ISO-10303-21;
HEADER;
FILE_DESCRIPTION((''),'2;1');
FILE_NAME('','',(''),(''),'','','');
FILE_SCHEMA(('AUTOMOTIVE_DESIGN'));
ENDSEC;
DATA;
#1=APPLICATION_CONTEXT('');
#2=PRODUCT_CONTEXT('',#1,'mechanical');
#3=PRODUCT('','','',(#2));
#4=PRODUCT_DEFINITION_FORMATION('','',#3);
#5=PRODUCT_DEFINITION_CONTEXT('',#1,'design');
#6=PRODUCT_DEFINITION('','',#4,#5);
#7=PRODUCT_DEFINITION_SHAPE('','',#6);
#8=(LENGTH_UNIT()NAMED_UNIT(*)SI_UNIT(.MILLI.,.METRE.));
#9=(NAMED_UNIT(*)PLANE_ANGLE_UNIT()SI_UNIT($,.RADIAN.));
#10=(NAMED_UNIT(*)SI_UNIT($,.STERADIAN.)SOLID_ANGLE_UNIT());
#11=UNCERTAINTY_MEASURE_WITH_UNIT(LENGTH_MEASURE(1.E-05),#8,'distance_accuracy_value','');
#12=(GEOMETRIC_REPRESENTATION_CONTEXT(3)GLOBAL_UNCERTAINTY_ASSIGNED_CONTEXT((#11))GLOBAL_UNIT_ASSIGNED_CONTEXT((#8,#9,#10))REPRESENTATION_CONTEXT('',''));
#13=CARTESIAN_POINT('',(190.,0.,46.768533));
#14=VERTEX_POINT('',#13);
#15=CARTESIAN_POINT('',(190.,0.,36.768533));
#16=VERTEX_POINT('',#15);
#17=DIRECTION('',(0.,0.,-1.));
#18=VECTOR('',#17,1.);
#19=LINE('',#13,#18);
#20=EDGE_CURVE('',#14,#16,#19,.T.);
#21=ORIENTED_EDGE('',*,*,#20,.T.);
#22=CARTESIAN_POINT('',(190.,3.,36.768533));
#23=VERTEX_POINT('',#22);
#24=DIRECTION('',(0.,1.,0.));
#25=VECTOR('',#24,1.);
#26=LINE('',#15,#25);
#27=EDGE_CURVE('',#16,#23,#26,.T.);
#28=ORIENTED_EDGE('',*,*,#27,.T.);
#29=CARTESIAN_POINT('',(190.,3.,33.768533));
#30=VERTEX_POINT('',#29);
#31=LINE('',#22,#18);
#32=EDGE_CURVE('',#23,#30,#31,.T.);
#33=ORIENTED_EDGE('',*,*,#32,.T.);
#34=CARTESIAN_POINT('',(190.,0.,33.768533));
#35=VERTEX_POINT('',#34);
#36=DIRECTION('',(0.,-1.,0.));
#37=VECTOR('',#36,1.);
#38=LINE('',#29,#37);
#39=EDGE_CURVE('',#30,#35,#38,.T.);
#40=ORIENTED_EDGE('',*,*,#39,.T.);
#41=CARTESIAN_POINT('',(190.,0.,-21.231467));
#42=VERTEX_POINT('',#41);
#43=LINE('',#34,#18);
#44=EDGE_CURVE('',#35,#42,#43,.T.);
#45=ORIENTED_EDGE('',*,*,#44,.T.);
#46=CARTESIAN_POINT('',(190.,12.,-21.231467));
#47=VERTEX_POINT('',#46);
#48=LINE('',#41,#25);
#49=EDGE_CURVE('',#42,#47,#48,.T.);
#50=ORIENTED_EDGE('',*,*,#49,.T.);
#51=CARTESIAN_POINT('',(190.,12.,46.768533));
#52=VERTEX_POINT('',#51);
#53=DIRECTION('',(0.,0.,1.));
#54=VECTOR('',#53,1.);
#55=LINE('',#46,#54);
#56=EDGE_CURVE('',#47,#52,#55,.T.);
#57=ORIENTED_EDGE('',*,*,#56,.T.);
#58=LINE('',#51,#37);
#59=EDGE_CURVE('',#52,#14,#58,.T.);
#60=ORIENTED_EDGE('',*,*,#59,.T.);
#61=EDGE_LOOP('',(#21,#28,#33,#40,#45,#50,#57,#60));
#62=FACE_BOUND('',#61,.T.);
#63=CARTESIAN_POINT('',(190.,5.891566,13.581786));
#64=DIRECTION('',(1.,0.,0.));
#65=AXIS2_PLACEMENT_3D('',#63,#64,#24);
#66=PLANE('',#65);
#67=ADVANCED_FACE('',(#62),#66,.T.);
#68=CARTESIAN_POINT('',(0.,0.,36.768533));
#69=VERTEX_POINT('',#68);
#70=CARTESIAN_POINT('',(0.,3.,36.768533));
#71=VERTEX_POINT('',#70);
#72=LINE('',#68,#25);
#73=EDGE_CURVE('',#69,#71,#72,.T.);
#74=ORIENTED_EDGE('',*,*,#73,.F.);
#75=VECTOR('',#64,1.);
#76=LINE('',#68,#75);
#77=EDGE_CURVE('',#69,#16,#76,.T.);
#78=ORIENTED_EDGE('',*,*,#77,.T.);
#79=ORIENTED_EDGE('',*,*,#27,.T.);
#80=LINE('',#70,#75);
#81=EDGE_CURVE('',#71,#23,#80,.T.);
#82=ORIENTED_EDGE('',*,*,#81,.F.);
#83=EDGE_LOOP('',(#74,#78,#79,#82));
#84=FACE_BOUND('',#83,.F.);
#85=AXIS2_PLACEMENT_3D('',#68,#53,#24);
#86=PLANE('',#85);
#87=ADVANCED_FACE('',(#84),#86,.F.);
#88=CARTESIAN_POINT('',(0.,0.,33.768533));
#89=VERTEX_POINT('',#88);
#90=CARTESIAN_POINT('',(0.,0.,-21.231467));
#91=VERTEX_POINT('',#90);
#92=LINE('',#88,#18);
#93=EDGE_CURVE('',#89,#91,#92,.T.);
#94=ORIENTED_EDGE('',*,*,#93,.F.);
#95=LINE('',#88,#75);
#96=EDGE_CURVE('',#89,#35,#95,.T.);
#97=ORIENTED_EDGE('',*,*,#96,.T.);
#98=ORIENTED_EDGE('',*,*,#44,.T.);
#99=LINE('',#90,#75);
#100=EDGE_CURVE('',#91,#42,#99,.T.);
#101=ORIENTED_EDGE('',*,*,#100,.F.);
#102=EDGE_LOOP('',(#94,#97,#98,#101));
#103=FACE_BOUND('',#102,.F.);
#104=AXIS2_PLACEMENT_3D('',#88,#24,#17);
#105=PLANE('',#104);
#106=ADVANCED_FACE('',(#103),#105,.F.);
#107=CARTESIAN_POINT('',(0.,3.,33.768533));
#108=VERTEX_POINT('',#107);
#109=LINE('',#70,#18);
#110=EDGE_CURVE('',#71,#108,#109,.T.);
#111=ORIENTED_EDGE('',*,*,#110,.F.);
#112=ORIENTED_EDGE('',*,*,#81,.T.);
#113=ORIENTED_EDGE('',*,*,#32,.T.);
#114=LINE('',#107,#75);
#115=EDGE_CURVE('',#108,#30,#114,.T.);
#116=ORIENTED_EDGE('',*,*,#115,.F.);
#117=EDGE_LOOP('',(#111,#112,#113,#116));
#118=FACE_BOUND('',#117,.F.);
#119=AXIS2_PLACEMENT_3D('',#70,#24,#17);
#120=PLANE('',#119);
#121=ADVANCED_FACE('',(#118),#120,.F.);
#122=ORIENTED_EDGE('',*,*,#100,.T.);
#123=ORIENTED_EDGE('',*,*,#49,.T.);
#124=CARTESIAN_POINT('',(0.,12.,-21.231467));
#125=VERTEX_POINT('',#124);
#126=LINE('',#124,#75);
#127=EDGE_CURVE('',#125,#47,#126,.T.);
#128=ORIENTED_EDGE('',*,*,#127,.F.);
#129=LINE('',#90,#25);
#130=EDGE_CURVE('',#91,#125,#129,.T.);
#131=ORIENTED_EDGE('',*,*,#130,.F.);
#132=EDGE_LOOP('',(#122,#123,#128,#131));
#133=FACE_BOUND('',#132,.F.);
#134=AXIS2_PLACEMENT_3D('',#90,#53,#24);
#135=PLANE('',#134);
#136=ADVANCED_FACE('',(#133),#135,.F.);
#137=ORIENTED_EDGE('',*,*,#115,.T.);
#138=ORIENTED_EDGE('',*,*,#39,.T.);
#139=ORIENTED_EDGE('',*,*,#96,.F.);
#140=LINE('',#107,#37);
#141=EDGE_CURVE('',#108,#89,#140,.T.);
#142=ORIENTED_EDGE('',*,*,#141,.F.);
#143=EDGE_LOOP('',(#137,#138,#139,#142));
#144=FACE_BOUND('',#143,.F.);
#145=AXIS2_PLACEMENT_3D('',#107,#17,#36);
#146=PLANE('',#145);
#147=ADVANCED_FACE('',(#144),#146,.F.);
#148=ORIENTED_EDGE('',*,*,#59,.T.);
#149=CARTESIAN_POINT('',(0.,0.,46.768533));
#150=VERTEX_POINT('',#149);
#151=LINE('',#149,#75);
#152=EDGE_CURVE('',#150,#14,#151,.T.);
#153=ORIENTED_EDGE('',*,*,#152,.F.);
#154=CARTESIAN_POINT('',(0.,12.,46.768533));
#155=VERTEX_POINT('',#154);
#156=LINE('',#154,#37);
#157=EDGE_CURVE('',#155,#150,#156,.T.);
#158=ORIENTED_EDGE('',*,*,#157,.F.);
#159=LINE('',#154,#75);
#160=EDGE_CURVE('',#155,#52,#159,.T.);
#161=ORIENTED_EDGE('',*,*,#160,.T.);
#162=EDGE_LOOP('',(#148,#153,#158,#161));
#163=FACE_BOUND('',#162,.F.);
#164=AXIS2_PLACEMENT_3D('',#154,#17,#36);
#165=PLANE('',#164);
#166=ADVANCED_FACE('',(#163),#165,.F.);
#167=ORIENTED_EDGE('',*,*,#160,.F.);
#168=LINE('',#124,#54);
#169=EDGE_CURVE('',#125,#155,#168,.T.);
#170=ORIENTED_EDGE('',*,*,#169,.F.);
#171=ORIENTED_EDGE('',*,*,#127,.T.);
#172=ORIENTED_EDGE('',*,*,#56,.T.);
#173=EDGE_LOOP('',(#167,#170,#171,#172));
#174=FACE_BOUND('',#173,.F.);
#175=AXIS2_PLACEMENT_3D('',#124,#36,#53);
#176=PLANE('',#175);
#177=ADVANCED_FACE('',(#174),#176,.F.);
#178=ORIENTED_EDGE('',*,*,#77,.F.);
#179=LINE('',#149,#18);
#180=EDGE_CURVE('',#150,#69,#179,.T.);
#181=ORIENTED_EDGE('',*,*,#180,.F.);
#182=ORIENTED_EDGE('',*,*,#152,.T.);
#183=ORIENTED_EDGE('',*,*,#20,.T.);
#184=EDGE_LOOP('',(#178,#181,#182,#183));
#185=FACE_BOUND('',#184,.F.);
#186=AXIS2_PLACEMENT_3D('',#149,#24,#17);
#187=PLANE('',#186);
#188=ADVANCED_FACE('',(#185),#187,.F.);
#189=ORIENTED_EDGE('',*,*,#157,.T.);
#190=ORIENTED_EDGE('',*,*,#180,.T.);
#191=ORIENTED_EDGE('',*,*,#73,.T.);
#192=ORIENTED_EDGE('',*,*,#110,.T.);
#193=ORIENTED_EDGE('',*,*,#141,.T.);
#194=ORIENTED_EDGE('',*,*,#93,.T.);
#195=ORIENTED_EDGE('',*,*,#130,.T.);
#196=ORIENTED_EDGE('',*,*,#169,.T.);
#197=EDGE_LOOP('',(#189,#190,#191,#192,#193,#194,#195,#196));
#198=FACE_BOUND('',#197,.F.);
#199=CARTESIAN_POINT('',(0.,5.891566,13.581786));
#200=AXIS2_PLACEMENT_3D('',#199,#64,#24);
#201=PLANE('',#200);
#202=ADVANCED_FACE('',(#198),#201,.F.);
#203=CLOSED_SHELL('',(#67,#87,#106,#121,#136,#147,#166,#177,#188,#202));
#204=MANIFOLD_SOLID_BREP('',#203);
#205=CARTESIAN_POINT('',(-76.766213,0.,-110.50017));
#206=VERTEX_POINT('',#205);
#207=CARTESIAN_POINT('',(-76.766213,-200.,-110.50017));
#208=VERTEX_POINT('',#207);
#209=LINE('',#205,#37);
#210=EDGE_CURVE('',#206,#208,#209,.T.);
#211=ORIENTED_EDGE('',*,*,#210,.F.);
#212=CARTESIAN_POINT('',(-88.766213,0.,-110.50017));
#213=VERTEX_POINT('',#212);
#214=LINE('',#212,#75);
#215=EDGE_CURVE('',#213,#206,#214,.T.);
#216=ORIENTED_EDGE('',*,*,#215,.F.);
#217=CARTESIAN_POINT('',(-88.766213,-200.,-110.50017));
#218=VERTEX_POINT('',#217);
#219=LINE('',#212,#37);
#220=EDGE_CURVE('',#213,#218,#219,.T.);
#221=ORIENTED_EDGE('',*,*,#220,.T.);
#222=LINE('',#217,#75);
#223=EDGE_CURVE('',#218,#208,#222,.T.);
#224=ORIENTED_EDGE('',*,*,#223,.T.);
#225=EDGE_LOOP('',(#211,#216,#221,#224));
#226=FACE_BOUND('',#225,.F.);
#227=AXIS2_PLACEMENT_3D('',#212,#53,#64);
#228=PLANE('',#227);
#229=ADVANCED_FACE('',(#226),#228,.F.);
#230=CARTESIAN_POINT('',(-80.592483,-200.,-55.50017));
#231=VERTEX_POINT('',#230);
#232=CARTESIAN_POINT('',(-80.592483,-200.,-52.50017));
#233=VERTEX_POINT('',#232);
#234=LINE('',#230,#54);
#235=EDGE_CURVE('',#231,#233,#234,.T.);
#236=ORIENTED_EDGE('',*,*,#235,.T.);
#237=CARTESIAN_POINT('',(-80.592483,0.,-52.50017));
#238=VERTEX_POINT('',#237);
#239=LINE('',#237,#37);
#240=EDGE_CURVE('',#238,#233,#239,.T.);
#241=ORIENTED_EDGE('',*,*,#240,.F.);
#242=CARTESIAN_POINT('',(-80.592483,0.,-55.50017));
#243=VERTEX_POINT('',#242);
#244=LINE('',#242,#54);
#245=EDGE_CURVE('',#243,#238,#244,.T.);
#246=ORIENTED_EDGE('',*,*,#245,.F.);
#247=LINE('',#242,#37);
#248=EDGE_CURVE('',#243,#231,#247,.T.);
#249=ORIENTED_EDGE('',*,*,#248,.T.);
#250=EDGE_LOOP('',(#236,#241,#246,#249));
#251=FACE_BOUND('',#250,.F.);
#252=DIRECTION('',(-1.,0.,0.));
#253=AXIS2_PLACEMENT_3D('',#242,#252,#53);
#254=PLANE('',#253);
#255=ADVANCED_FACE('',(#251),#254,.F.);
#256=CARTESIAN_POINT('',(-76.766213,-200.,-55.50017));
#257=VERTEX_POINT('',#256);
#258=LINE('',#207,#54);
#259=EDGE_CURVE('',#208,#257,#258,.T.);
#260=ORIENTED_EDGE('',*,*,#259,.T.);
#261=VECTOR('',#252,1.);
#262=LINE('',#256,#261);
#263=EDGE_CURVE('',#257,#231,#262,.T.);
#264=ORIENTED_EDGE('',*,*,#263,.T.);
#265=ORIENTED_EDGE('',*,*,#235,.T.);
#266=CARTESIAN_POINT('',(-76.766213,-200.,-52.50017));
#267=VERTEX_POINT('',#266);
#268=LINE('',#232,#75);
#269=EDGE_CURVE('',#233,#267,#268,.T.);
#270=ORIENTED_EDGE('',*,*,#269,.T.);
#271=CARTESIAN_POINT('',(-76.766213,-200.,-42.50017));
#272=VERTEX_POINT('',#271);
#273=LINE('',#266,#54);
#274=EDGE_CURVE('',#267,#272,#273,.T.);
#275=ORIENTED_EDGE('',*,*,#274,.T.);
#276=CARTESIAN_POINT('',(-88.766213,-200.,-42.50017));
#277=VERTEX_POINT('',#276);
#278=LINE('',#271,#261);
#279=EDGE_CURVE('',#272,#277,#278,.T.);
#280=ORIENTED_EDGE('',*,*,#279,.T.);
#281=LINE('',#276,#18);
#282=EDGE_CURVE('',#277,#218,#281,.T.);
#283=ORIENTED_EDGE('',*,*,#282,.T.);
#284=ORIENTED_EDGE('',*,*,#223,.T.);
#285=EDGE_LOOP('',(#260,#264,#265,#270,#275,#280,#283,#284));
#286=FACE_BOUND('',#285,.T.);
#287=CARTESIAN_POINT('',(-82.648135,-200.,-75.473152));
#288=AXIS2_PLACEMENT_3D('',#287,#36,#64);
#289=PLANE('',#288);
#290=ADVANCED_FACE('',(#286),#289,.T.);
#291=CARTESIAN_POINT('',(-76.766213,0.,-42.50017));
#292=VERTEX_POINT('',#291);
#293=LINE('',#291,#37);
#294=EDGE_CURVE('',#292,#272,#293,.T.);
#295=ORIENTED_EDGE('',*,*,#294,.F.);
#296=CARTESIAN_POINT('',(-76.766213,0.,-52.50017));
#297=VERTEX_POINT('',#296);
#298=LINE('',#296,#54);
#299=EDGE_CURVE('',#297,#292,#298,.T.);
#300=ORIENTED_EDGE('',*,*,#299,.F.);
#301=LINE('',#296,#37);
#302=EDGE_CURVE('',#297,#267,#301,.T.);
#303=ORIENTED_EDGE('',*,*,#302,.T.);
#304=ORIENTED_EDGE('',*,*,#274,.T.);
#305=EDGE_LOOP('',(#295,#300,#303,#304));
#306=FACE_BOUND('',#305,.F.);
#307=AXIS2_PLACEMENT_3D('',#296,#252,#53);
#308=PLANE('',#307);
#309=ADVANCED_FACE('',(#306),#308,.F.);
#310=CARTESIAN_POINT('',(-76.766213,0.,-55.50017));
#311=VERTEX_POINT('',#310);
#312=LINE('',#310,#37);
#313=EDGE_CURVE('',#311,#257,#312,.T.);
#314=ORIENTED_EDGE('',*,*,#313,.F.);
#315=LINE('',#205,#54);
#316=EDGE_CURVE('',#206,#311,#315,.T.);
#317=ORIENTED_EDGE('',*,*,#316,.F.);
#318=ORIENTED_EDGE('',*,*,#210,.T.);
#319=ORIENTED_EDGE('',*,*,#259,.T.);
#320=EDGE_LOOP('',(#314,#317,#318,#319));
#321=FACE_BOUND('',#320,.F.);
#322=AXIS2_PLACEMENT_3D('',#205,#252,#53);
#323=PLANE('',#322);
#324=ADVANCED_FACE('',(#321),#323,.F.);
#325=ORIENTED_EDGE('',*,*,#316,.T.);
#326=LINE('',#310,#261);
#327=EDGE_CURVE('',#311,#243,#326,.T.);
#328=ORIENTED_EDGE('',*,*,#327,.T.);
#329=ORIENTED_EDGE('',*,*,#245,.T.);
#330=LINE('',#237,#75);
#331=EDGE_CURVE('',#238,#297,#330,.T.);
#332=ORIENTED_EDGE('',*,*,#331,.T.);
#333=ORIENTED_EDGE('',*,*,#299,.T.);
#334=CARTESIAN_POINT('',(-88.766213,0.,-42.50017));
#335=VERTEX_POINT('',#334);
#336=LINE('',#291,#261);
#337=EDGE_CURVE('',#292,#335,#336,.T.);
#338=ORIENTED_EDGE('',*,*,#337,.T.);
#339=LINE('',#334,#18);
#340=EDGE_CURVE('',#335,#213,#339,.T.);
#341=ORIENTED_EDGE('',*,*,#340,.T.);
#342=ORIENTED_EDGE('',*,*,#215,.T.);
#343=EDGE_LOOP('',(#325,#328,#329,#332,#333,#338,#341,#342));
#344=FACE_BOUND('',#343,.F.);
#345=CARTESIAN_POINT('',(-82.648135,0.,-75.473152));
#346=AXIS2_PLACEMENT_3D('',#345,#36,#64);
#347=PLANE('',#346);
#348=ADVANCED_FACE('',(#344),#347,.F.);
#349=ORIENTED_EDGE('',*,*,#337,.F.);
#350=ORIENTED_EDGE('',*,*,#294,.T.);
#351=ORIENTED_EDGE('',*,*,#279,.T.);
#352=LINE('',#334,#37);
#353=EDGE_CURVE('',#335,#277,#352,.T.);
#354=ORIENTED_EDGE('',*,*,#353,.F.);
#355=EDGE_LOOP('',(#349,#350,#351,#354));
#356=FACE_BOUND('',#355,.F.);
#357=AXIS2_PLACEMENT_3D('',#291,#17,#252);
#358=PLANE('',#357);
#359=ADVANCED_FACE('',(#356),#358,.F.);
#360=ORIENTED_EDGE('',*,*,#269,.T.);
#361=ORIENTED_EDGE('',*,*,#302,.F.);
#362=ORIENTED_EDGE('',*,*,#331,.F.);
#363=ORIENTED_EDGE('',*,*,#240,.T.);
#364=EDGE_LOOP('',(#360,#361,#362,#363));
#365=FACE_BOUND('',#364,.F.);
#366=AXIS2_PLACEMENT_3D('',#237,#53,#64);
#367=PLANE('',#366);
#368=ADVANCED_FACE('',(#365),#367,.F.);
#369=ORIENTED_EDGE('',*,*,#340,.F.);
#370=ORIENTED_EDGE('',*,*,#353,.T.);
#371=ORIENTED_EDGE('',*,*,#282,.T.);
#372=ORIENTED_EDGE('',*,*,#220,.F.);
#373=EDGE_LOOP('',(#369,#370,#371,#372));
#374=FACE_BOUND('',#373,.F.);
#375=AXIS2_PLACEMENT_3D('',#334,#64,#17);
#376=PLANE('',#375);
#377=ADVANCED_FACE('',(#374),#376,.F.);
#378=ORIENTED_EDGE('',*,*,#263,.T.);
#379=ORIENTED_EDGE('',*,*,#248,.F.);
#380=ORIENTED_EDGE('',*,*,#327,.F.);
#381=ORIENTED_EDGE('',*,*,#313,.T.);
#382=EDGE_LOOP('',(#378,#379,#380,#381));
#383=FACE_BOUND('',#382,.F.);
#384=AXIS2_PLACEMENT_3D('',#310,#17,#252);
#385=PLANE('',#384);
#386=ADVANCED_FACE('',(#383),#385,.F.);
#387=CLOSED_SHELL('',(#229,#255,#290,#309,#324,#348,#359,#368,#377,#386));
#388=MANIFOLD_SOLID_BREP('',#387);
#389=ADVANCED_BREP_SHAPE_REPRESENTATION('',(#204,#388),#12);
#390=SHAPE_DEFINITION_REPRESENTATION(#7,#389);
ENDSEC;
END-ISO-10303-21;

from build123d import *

# Parameters (mm, degrees)
F1_DEPTH = 190
F3_DEPTH = 200


with BuildPart() as f1:
    # F0 (on Right) → F1 (new body)
    with BuildSketch(Plane.YZ):
        Polygon((12, 46.768533), (0, 46.768533), (0, 36.768533), (3, 36.768533), (3, 33.768533), (0, 33.768533), (0, -21.231467), (12, -21.231467), align=None)
    extrude(amount=F1_DEPTH)


with BuildPart() as f3:
    # F2 (on Front) → F3 (new body)
    with BuildSketch(Plane.XZ):
        Polygon((-76.766213, -42.50017), (-88.766213, -42.50017), (-88.766213, -110.50017), (-76.766213, -110.50017), (-76.766213, -55.50017), (-80.592483, -55.50017), (-80.592483, -52.50017), (-76.766213, -52.50017), align=None)
    extrude(amount=F3_DEPTH)


solid = Compound([f1.part, f3.part])
